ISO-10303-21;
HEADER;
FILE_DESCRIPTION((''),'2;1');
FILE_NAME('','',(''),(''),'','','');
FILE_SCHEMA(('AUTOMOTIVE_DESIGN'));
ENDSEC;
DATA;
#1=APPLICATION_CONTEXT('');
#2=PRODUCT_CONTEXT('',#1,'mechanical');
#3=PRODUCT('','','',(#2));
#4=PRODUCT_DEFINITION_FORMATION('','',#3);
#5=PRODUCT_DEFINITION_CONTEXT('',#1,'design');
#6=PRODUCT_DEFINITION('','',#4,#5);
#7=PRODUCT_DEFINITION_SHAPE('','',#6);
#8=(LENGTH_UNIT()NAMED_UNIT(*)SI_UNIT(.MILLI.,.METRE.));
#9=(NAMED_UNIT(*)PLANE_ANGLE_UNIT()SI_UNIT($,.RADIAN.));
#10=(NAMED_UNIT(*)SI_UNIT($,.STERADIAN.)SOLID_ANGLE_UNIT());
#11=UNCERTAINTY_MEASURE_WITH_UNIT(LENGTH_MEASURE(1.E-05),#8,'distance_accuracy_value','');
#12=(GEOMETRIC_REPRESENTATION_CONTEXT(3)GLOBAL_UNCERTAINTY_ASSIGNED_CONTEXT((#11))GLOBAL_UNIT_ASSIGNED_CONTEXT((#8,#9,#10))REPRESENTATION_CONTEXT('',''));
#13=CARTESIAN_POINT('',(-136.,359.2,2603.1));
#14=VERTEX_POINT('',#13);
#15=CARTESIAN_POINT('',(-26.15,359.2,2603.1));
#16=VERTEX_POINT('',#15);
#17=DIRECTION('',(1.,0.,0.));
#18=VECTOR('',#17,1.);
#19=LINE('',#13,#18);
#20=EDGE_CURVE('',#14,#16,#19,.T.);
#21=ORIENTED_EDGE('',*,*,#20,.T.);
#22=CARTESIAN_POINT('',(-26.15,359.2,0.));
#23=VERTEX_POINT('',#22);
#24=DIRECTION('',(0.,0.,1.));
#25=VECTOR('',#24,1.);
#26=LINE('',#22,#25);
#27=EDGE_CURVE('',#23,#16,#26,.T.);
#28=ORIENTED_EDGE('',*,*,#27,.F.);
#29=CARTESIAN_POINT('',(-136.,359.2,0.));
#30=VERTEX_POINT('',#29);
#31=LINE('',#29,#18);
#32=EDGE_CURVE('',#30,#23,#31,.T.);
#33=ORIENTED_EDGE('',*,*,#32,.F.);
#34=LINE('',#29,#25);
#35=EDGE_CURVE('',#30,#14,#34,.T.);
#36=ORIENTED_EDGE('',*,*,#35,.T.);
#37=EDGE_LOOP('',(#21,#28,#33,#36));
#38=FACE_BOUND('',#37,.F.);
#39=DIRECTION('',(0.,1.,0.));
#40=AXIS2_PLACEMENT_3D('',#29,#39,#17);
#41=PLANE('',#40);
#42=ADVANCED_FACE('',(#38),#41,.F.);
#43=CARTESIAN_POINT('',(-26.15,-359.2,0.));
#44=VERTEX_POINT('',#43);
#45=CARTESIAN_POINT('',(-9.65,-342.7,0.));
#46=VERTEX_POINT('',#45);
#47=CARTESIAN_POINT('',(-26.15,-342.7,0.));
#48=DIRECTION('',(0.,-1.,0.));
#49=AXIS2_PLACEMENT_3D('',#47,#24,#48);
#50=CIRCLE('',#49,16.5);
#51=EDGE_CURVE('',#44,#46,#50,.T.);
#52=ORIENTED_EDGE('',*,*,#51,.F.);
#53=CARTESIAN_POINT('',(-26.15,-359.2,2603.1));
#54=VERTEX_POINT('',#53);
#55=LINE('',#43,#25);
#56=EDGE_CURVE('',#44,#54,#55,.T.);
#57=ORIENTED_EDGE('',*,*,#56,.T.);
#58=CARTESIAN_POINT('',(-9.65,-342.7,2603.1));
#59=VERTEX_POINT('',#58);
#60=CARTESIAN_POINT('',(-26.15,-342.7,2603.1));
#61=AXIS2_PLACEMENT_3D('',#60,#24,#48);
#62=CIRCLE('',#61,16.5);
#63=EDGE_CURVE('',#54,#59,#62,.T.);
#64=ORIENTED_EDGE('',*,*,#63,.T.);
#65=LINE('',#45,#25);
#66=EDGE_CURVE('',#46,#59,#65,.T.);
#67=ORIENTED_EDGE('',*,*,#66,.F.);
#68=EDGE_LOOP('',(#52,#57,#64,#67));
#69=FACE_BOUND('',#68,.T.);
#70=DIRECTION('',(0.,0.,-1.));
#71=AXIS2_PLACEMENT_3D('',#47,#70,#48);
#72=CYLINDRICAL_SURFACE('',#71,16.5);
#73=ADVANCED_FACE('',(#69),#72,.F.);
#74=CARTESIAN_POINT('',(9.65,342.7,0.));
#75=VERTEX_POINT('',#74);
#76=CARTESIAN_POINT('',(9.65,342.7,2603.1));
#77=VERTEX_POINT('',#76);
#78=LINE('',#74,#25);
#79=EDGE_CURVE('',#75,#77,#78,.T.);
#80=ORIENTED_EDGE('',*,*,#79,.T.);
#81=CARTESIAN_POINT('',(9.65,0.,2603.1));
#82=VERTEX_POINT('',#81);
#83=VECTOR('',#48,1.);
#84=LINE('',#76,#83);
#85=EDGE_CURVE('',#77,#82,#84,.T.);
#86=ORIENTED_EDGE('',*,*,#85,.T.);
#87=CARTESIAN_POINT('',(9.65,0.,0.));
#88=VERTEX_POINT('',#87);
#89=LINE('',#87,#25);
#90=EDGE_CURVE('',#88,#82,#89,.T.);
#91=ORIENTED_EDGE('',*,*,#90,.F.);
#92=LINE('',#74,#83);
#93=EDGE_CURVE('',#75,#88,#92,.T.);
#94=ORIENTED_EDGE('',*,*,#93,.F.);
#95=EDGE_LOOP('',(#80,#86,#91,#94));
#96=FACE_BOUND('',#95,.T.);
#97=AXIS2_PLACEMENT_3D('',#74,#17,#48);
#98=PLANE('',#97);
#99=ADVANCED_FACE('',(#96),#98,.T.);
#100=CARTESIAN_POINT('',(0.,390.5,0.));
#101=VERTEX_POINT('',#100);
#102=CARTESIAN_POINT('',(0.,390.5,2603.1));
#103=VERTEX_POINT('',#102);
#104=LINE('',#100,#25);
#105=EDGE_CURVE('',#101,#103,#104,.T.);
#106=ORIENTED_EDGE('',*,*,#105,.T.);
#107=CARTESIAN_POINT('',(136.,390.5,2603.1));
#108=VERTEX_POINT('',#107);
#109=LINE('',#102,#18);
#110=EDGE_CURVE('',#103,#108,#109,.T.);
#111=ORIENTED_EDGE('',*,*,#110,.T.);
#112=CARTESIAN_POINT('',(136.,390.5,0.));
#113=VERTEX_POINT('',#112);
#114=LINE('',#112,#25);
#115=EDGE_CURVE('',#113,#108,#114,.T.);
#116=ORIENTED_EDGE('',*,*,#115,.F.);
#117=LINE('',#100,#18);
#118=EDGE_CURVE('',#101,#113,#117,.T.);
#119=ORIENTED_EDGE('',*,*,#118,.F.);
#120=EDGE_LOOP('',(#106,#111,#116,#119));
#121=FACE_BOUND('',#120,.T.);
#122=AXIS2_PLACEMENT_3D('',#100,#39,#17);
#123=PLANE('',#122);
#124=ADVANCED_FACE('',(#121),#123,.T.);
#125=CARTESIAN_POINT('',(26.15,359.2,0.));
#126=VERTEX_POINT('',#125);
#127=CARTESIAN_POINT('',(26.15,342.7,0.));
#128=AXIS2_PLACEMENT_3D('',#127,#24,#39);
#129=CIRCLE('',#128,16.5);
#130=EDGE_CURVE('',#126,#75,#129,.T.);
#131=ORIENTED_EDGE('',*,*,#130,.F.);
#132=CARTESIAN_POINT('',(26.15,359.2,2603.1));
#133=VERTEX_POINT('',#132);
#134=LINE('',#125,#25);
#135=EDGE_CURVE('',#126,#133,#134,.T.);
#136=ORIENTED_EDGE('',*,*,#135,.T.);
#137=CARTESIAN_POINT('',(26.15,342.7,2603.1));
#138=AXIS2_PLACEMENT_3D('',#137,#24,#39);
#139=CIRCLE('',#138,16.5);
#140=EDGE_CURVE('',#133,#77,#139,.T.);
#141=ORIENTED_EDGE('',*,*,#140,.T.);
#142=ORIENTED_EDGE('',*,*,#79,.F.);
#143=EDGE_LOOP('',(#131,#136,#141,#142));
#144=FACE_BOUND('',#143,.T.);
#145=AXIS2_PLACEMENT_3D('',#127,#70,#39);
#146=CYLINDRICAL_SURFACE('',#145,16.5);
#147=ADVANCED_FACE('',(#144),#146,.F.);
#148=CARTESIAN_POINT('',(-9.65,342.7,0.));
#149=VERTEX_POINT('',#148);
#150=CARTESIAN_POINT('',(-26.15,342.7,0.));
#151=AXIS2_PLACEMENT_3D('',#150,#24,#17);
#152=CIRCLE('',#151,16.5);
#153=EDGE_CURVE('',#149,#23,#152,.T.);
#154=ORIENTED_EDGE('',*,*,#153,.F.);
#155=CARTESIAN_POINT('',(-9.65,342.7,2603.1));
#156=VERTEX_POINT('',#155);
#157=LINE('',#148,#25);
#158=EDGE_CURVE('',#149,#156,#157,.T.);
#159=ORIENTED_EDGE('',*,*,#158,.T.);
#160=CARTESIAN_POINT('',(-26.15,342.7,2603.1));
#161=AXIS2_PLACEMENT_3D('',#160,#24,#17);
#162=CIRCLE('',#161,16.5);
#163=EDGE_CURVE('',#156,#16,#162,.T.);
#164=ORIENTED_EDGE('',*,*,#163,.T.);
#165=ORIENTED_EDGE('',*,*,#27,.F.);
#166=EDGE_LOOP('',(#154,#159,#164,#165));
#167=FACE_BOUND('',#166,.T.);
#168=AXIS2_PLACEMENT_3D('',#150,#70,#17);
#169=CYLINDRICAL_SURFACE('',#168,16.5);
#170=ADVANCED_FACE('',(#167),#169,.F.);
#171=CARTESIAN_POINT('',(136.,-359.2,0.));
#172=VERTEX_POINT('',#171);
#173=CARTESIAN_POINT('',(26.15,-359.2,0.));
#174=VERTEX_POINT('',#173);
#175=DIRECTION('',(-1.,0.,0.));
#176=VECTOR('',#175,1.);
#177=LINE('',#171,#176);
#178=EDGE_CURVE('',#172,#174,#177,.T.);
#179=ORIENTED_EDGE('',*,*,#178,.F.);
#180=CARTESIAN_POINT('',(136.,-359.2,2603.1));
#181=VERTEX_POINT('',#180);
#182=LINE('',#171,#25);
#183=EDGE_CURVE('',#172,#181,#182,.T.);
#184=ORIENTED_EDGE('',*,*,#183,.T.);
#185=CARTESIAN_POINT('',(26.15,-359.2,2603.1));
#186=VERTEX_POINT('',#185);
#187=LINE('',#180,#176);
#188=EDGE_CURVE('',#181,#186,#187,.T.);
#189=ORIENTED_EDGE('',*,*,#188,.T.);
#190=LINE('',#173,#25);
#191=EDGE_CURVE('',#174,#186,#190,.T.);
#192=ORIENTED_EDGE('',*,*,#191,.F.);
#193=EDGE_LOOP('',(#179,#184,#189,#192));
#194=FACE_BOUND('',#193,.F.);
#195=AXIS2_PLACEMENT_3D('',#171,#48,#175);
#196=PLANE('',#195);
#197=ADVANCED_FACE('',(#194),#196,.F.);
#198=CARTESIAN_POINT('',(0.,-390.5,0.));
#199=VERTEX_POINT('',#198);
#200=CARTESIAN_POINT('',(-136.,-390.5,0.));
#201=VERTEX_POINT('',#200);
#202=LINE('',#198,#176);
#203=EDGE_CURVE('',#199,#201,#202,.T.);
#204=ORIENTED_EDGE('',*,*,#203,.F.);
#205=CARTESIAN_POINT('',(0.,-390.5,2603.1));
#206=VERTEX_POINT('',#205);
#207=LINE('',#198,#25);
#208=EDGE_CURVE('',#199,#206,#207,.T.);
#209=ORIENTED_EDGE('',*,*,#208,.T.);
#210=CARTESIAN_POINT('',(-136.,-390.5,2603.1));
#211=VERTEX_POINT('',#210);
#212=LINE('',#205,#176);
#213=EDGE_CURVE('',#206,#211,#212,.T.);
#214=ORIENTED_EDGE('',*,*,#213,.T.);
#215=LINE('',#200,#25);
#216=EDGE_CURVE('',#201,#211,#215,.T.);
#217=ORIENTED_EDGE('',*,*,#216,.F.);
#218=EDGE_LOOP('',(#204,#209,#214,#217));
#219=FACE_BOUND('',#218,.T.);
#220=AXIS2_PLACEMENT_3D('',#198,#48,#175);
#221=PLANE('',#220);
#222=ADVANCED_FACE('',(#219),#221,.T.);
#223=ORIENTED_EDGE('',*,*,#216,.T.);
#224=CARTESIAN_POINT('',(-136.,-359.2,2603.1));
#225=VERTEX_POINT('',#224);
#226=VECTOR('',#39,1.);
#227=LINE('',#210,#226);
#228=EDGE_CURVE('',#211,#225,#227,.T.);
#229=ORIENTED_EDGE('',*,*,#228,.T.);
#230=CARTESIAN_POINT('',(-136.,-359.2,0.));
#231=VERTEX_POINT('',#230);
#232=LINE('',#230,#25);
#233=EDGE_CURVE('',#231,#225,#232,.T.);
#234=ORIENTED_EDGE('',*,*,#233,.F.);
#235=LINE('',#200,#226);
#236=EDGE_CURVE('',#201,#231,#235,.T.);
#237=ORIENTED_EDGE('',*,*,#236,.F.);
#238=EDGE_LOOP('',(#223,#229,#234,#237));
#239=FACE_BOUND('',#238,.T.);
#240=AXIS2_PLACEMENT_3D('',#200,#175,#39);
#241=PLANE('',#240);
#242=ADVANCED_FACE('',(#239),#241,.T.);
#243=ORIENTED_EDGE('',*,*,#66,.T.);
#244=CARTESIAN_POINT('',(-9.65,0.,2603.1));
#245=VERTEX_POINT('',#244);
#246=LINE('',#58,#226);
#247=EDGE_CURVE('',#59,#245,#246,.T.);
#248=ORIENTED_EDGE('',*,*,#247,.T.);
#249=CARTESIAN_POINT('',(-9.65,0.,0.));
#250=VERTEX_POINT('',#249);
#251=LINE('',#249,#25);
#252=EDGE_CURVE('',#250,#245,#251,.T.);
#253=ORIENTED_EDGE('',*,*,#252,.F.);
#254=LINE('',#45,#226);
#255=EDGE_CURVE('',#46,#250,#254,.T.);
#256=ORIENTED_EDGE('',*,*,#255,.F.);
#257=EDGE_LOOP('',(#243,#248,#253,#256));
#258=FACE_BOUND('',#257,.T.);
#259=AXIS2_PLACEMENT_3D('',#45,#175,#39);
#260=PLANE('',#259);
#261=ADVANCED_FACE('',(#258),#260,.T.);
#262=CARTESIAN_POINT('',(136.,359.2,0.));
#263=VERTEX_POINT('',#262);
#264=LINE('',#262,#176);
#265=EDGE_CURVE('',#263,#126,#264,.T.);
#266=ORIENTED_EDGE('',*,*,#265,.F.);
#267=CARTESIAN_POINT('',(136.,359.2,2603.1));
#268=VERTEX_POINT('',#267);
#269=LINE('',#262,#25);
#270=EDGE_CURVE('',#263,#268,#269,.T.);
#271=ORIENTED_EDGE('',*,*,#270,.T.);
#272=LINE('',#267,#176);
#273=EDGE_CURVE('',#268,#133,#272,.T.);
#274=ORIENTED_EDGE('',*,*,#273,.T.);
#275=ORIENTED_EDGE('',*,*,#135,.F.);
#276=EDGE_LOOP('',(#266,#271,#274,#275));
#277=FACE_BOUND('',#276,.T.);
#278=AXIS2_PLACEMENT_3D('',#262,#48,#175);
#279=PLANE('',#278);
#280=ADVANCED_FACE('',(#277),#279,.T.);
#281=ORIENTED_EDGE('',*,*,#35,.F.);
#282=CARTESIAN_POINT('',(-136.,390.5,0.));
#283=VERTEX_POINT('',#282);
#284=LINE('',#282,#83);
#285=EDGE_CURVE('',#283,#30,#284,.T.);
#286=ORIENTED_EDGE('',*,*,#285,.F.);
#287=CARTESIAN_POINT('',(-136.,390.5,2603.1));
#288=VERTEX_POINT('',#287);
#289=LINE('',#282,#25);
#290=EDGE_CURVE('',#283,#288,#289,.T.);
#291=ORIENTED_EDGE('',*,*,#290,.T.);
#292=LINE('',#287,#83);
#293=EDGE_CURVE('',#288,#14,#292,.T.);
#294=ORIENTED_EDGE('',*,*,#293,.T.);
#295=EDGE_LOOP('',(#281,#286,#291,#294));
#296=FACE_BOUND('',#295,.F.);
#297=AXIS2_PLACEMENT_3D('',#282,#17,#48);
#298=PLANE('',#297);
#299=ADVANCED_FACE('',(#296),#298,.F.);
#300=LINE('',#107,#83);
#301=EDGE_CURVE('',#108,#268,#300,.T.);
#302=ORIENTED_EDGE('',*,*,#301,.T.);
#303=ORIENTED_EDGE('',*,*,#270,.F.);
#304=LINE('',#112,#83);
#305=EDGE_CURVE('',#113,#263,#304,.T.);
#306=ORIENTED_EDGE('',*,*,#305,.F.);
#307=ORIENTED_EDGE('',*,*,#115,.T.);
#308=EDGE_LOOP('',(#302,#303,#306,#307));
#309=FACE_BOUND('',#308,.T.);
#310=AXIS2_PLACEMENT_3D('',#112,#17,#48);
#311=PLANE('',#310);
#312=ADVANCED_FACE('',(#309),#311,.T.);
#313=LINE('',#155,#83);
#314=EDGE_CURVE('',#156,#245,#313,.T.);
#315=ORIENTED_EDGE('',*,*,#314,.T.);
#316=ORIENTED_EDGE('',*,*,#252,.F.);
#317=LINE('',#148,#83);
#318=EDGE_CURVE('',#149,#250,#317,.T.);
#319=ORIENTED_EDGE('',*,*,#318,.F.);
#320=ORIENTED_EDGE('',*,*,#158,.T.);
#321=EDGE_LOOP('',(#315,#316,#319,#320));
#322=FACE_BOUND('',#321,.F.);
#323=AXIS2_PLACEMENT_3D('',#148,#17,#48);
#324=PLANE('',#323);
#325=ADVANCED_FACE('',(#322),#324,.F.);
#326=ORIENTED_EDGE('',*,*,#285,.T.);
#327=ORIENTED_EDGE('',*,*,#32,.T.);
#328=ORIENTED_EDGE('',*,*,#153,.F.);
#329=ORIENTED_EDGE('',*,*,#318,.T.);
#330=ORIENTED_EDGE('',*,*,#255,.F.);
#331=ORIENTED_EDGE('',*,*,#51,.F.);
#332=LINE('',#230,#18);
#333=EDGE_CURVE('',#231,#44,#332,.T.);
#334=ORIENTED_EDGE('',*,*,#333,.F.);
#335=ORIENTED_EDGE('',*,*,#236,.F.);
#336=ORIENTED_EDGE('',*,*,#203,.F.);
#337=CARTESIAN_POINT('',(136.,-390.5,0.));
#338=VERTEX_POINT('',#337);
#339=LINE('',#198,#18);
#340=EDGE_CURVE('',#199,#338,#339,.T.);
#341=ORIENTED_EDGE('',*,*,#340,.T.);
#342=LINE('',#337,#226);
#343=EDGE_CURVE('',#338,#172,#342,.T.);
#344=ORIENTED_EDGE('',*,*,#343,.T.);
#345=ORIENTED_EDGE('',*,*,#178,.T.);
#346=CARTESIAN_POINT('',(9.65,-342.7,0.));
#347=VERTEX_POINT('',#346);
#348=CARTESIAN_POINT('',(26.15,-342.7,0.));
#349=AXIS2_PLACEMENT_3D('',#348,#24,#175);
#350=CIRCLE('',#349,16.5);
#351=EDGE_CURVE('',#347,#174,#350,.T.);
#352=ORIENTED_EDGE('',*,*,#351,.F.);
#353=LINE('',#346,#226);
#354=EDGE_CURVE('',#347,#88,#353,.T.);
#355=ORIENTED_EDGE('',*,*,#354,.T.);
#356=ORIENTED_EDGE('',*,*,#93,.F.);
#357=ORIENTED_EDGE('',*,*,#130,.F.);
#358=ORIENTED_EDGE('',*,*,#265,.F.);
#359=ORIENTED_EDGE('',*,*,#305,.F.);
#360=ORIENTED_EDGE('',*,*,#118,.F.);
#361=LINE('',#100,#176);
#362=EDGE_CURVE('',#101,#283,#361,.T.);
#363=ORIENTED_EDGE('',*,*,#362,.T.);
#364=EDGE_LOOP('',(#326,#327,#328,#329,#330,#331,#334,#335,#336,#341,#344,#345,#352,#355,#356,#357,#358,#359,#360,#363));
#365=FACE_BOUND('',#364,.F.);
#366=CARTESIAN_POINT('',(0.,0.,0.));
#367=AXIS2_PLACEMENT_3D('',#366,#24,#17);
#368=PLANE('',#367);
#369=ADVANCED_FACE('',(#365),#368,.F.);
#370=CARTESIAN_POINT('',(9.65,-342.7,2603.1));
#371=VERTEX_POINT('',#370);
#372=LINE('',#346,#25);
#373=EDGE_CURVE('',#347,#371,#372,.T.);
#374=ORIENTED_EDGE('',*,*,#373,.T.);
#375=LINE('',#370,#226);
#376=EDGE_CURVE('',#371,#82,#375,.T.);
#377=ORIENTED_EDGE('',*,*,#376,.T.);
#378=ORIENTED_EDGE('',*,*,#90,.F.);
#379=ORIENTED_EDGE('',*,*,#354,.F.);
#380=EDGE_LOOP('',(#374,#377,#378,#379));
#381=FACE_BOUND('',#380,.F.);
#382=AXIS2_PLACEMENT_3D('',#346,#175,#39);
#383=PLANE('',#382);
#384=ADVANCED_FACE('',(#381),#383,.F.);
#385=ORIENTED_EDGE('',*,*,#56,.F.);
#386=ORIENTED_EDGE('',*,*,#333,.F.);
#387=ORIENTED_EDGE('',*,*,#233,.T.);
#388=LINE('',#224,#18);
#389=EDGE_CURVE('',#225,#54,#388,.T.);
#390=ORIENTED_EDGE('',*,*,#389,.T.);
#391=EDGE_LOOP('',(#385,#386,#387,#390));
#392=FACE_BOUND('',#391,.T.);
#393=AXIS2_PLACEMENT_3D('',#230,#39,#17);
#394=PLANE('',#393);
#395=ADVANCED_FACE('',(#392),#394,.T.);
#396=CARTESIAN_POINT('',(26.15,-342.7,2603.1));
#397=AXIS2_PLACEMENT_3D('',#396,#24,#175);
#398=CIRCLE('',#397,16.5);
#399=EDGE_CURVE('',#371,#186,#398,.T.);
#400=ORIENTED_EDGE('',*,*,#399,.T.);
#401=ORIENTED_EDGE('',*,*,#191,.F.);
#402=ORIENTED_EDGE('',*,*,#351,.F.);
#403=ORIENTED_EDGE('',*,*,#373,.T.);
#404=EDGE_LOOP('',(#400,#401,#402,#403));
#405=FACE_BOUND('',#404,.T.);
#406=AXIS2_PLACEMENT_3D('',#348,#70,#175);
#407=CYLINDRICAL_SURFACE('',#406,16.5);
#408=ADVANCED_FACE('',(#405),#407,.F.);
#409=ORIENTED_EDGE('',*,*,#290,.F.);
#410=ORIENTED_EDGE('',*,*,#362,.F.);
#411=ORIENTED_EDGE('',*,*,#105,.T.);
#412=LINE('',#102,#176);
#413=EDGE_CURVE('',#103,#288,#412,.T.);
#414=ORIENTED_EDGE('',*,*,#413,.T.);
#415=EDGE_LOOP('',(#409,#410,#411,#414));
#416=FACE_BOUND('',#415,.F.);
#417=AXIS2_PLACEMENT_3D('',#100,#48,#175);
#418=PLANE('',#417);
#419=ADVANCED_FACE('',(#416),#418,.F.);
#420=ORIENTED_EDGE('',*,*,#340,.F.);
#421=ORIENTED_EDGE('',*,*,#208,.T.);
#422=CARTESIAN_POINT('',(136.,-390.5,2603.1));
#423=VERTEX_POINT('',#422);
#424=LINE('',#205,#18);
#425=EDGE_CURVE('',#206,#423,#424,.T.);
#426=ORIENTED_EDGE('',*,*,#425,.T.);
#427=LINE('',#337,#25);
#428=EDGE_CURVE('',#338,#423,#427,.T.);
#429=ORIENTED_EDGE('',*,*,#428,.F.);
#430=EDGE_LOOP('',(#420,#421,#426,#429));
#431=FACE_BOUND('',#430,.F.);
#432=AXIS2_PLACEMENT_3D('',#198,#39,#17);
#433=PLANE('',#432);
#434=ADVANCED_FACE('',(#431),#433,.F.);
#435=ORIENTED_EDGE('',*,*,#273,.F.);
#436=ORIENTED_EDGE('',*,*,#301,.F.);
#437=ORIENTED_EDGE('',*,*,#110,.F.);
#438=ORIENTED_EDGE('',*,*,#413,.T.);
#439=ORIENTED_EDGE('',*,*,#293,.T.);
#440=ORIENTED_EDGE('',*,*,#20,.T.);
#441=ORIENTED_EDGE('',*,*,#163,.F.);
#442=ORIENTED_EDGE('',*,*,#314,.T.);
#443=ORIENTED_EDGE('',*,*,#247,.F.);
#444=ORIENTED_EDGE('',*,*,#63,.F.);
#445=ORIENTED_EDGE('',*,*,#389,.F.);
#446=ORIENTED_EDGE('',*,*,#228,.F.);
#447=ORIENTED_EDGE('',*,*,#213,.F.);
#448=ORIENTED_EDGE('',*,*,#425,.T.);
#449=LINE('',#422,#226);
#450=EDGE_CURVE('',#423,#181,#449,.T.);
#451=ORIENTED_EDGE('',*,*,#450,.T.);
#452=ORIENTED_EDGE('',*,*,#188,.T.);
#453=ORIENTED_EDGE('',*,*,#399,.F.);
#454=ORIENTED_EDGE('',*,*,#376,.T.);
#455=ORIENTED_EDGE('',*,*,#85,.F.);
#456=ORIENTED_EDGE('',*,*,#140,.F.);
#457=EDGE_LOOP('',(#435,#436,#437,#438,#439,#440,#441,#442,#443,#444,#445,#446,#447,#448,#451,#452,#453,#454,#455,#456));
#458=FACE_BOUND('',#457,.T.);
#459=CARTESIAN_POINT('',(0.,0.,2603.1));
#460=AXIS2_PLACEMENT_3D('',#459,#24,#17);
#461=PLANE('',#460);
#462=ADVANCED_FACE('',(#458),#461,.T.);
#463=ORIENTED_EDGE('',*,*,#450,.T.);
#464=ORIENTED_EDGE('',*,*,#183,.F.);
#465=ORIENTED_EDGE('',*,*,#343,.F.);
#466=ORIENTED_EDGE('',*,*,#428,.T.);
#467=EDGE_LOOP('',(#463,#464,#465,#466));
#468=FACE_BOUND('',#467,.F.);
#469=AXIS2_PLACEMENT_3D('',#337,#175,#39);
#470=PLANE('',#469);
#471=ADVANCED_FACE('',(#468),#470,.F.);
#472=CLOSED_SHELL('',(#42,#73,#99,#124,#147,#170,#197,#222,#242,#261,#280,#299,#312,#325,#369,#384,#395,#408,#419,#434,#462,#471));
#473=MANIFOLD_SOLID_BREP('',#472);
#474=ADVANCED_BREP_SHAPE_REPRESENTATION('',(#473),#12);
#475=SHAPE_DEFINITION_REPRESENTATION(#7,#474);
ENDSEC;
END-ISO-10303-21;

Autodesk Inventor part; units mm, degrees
ref_plane "YZ Plane" through (0, 0, 0) normal (1, 0, 0) x (0, 1, 0)
ref_plane "Start plane" through (0, 0, 0) normal (0, 0, 1) x (1, 0, 0)
ref_plane "End plane" through (0, 0, 2603.1) normal (0, 0, 1) x (1, 0, 0)
sketch "Sketch" plane through (0, 0, 0) normal (0, 0, 1) x (1, 0, 0)
  line L0 (-136, -390.5) -> (-136, -359.2)
  line L1 (-136, -359.2) -> (-26.15, -359.2)
  line L2 (-9.65, -342.7) -> (-9.65, 0)
  line L3 (-9.65, 0) -> (0, 0) construction
  line L4 (0, 0) -> (0, -390.5) construction
  line L5 (0, -390.5) -> (-136, -390.5)
  line L6 (-60, 0) -> (80, 0) construction
  line L7 (0, -60) -> (0, 80) construction
  line L8 (136, -390.5) -> (136, -359.2)
  line L9 (136, -359.2) -> (26.15, -359.2)
  line L10 (9.65, -342.7) -> (9.65, 0)
  line L11 (9.65, 0) -> (0, 0) construction
  line L12 (0, -390.5) -> (136, -390.5)
  line L13 (-136, 390.5) -> (-136, 359.2)
  line L14 (-136, 359.2) -> (-26.15, 359.2)
  line L15 (-9.65, 342.7) -> (-9.65, 0)
  line L16 (0, 390.5) -> (-136, 390.5)
  line L17 (136, 390.5) -> (136, 359.2)
  line L18 (136, 359.2) -> (26.15, 359.2)
  line L19 (0, 390.5) -> (136, 390.5)
  line L20 (9.65, 342.7) -> (9.65, 0)
  arc A0 (-9.65, 342.7) -> (-26.15, 359.2) centre (-26.15, 342.7) ccw
  arc A1 (26.15, 359.2) -> (9.65, 342.7) centre (26.15, 342.7) ccw
  arc A2 (9.65, -342.7) -> (26.15, -359.2) centre (26.15, -342.7) ccw
  arc A3 (-26.15, -359.2) -> (-9.65, -342.7) centre (-26.15, -342.7) ccw
  line L21 (0, 108) -> (0, -88) construction
  line L22 (-88, 0) -> (108, 0) construction
  point P0 (-9.65, -359.2)
  point P1 (9.65, -359.2)
  point P2 (-9.65, 359.2)
  point P3 (9.65, 359.2)
  dimension "d1" = 390.5
  dimension "d2" = 31.3
  dimension "d3" = 136
  dimension "d4" = 9.65
  dimension "d10" = 16.5
extrude "Body" add sketch "Sketch" along normal up to surface (2603.1 mm away) from surface at 0
sketch "Sketch4" plane through (0, 0, 0) normal (0, 0, 1) x (1, 0, 0)
  line L0 (0, 0) -> (10, 0)
ref_plane "Work Plane3" through (0, 0, 0) normal (0, -1, 0) x (1, 0, 0)
sketch "Sketch5" plane through (0, 0, 0) normal (0, -1, 0) x (1, 0, 0)
  line L0 (-2, 0) -> (12, 0) projected
  line L1 (-2, 2603.1) -> (12, 2603.1) projected
  dimension "d14" = 2603.1
equation "\"d1\" = 0.5 * G_H"
equation "\"d2\" = G_T1"
equation "\"d3\" = 0.5 * G_W"
equation "\"d4\" = 0.5 * G_T"
equation "\"d10\" = G_IR"
equation "\"d5\" = G_L"
equation "\"G_W\" = 272"
equation "\"G_H\" = 781"
equation "\"G_T\" = 19.3"
equation "\"G_T1\" = 31.3"
equation "\"G_IR\" = 16.5"
equation "\"G_L\" = d14"
equation "\"G_OFFSET_START\" = 0"
equation "\"G_OFFSET_END\" = 0"
equation "\"d12\" = G_OFFSET_END + B_L"
equation "\"B_L\" = 2603.1"
properties part number "AS 3679-1990 - 760 UB - 244 - 2603.1" material "Steel, Mild"
